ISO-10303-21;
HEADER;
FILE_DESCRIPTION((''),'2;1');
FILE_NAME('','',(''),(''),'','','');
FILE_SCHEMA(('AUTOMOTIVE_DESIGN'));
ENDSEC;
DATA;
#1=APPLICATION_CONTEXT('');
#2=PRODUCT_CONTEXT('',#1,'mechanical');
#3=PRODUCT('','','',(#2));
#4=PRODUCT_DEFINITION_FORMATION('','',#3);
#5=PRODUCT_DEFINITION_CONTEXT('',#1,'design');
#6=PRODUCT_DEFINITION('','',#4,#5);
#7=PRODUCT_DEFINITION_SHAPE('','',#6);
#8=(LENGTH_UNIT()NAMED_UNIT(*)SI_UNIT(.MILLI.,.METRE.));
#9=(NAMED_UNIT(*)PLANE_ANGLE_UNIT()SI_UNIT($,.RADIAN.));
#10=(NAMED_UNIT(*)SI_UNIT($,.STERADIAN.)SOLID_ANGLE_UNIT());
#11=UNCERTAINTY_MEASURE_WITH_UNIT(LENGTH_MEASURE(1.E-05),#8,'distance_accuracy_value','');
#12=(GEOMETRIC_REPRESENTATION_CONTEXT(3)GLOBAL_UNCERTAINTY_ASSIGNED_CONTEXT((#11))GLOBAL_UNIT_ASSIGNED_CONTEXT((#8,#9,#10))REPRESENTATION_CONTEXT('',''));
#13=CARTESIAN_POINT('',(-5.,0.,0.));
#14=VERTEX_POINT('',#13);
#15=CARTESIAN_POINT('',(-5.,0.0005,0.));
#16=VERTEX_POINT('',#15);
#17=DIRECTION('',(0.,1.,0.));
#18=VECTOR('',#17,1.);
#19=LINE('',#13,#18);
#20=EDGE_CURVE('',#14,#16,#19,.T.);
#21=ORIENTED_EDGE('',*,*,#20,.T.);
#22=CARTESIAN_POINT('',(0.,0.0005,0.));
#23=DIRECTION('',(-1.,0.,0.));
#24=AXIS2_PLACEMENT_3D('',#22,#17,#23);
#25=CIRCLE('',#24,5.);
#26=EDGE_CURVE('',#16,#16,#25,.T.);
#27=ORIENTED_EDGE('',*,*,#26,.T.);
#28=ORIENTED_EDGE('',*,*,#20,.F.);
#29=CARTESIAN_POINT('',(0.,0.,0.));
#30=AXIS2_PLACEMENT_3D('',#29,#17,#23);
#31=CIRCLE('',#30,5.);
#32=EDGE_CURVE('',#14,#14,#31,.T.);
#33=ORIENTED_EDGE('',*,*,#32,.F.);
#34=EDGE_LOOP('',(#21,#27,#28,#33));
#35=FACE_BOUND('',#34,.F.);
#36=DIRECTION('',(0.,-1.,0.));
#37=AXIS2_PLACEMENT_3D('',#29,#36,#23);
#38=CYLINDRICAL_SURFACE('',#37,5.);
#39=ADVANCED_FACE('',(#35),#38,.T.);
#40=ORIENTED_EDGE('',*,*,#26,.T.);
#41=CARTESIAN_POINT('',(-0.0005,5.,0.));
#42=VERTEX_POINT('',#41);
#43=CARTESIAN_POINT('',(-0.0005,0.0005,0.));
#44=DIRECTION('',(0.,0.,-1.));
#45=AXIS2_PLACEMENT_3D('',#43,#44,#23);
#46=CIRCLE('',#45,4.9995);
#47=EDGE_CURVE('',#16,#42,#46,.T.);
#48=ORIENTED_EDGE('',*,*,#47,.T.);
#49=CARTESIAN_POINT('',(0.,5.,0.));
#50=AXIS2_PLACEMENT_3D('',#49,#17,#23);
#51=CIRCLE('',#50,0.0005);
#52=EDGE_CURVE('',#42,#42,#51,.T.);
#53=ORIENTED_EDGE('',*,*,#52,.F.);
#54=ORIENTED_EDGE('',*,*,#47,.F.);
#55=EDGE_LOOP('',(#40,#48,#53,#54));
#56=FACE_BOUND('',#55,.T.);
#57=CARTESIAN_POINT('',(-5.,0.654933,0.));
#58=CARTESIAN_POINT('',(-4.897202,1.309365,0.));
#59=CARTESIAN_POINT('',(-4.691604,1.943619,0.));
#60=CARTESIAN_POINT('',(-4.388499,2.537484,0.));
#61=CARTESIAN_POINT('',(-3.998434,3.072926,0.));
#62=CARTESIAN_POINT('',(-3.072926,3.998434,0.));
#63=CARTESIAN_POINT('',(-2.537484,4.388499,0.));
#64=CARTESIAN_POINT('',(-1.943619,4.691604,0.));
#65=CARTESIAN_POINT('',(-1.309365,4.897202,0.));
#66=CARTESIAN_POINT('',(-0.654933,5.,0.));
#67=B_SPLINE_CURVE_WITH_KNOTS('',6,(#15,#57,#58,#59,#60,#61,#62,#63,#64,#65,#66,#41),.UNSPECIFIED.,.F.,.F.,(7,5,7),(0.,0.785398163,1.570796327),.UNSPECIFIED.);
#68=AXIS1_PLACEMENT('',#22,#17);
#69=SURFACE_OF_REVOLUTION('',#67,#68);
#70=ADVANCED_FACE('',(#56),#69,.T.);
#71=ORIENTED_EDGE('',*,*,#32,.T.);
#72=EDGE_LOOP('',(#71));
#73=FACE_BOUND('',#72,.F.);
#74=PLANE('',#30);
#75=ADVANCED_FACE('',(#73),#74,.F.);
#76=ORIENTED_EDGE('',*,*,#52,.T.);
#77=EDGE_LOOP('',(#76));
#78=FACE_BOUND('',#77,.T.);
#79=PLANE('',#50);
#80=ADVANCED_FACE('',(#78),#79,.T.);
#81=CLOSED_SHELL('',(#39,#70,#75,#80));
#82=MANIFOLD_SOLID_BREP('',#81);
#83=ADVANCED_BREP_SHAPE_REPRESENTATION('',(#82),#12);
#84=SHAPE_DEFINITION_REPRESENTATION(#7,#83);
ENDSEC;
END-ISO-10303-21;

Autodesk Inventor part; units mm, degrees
ref_plane "YZ Plane" through (0, 0, 0) normal (1, 0, 0) x (0, 1, 0)
ref_plane "XZ Plane" through (0, 0, 0) normal (0, 1, 0) x (-1, 0, 0)
ref_plane "XY Plane" through (0, 0, 0) normal (0, 0, 1) x (1, 0, 0)
sketch "Esquisse1" plane through (0, 0, 0) normal (0, 1, 0) x (-1, 0, 0)
  circle A0 centre (0, 0) radius 5
  dimension "d0" = 10
extrude "Extrusion1" add sketch "Esquisse1" along normal blind 5
fillet "Congé1" radius 5 1 edges at (5, 5, 0)
properties part number "Pied" material "Caoutchouc"
